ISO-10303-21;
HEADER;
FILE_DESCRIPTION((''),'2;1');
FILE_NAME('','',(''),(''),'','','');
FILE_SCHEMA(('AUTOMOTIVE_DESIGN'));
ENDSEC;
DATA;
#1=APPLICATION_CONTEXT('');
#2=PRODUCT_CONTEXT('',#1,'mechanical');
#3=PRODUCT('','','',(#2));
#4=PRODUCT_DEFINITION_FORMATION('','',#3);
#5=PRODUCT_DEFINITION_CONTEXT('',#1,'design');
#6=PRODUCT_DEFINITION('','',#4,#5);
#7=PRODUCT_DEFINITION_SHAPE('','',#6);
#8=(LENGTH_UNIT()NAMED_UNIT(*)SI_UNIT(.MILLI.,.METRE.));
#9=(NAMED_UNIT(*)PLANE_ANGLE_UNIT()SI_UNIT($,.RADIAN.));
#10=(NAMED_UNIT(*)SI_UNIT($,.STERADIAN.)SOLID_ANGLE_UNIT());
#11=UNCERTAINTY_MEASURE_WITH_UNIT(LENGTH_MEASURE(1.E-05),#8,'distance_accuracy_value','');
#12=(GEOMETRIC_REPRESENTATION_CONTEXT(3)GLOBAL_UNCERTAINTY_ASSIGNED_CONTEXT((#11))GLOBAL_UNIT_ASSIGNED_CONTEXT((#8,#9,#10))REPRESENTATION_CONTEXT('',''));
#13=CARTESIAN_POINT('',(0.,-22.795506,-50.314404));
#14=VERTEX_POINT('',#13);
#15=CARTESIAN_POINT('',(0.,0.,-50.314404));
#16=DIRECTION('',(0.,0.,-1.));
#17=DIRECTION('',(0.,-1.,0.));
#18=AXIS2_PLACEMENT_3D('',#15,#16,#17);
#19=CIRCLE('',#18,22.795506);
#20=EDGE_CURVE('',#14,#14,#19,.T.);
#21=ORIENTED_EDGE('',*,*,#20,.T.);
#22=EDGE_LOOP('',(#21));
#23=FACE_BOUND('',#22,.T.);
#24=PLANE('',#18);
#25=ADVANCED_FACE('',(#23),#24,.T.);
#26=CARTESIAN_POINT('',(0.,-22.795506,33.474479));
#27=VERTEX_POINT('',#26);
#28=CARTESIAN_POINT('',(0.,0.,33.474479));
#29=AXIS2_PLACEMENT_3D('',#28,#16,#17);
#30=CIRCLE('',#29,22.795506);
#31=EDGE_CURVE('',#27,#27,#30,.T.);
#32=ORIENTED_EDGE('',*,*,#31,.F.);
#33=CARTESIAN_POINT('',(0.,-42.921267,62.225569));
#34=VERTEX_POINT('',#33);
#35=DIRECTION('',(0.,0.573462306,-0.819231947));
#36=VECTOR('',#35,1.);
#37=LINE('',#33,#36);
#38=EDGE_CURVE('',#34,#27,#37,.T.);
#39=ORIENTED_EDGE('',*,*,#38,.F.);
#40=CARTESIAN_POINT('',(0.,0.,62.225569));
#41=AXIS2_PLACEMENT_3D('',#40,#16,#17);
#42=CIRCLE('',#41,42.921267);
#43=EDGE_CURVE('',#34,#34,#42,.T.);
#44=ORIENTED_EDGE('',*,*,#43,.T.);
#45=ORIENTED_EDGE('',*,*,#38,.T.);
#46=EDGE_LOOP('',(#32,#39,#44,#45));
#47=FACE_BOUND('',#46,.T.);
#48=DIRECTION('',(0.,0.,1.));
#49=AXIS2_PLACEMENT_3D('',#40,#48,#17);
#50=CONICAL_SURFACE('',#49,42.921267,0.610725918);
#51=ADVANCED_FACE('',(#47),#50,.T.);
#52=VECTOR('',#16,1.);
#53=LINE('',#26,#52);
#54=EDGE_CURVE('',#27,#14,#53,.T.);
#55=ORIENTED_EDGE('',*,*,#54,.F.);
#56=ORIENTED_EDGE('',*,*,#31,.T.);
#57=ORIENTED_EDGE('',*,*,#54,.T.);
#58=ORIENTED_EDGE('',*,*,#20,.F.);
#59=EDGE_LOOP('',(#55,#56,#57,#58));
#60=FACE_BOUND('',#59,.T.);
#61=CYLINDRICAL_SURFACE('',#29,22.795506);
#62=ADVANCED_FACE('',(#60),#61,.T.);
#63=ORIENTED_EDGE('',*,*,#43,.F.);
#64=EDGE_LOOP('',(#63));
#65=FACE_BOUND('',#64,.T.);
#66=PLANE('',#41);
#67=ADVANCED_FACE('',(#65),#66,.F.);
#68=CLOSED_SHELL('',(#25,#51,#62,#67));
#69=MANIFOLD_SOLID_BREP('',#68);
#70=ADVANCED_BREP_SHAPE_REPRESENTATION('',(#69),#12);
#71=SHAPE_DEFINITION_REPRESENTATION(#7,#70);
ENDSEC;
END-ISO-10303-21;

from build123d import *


with BuildPart() as f1:
    # F0 (on Right) → F1 (revolve)
    with BuildSketch(Plane.YZ):
        Polygon((-22.795506, -50.314404), (0, -50.314404), (0, 62.225569), (-42.921267, 62.225569), (-22.795506, 33.474479), align=None)
    revolve(axis=Axis((0, 0, 5.955582), (0, 0, -1)))


solid = f1.part
